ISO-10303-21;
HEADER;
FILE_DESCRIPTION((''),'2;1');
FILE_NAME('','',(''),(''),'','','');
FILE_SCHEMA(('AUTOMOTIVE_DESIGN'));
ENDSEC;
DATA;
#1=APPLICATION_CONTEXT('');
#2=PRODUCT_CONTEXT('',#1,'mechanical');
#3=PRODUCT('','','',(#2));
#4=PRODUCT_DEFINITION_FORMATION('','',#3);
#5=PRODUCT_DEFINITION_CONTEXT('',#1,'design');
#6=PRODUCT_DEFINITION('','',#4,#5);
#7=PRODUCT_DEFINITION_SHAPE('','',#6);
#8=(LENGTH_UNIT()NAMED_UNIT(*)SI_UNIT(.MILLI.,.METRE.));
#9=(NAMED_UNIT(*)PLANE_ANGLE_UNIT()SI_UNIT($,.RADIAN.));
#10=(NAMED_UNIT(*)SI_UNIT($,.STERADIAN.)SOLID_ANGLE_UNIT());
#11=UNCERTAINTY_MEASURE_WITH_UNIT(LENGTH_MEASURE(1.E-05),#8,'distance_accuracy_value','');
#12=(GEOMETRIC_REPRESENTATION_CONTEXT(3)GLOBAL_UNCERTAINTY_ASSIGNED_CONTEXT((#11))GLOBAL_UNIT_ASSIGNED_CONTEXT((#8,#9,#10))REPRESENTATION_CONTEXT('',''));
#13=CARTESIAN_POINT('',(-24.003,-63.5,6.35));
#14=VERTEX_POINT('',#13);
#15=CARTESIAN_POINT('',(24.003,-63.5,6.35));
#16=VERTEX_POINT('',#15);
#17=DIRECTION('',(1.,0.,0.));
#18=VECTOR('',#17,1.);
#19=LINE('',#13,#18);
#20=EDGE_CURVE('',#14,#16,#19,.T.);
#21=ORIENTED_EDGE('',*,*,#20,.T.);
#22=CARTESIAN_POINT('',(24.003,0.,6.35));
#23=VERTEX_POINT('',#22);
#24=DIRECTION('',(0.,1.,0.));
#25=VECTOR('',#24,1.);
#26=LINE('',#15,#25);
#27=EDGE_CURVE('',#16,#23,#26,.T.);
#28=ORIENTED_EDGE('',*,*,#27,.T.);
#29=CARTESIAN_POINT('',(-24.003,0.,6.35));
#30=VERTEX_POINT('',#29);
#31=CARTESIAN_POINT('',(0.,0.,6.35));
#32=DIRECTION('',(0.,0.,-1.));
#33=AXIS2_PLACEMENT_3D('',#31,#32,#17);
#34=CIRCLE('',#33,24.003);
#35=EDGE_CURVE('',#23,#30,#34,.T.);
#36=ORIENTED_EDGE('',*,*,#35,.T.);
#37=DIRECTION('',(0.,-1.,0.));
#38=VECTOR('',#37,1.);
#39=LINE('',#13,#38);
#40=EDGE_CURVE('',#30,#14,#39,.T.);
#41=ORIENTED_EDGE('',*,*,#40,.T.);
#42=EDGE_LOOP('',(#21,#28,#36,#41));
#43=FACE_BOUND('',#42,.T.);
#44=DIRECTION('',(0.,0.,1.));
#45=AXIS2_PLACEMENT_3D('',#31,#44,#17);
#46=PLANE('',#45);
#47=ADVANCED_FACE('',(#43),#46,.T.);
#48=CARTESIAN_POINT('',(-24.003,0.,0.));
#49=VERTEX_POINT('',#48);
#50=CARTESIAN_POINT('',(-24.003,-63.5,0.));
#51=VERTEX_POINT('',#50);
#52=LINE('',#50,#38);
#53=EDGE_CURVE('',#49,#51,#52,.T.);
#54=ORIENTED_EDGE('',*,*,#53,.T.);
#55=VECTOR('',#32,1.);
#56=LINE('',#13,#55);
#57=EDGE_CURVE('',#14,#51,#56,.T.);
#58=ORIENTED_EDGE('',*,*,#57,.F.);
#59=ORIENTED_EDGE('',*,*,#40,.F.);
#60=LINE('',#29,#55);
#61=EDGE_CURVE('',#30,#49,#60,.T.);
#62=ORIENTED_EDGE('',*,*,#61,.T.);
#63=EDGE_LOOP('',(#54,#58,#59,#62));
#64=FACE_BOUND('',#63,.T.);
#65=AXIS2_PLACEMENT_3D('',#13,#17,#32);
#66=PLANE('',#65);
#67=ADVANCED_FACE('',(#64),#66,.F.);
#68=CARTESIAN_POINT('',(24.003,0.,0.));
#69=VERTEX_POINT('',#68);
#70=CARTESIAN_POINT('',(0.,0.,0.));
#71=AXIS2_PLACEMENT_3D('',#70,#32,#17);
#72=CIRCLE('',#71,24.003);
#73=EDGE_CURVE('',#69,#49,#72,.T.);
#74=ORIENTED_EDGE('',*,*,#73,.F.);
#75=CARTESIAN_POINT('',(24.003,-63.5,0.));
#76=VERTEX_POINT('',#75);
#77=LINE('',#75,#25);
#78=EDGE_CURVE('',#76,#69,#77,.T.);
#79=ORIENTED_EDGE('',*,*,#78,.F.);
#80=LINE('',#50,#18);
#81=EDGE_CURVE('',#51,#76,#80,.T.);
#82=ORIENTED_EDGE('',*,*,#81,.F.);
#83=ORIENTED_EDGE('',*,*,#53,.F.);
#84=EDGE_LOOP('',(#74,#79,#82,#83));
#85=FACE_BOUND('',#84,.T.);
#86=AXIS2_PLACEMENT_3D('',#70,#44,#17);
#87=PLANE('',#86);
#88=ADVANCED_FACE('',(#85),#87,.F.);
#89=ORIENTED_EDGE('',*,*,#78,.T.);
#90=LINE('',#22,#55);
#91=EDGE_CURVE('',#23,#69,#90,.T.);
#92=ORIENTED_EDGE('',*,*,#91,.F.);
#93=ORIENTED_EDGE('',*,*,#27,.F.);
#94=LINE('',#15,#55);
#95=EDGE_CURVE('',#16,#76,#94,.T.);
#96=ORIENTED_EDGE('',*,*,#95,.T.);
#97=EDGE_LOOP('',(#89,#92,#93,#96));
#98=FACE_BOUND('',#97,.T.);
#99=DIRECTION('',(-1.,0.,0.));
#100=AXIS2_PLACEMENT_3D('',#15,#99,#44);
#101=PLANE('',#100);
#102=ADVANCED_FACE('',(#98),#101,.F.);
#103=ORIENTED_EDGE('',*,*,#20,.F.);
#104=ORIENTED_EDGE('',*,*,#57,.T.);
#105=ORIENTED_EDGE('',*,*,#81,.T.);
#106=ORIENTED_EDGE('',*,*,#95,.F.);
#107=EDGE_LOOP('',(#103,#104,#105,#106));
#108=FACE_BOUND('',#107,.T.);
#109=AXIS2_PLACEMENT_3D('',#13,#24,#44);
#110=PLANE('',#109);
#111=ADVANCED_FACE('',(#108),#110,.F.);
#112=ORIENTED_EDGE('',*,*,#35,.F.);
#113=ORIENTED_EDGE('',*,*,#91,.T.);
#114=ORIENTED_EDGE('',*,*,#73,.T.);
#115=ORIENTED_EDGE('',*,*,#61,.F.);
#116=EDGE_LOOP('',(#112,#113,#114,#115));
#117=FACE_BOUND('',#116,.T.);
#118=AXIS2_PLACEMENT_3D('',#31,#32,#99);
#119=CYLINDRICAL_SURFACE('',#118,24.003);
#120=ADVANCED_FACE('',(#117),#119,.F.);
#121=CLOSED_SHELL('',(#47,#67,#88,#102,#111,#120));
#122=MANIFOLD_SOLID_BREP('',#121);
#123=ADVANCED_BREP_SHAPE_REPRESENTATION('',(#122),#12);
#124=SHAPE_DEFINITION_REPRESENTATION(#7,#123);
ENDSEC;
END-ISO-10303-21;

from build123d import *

# Parameters (mm, degrees)
BOSS_EXTRUDE1_DEPTH = 6.35


with BuildPart() as part:
    # Sketch1 → Boss-Extrude1 (new body)
    with BuildSketch(Plane.XY):
        with BuildLine():
            Line((-24.003, -63.5), (24.003, -63.5))
            Line((24.003, -63.5), (24.003, 0))
            ThreePointArc((24.003, 0), (0, -24.003), (-24.003, 0))
            Line((-24.003, 0), (-24.003, -63.5))
        make_face()
    extrude(amount=BOSS_EXTRUDE1_DEPTH)


solid = part.part
